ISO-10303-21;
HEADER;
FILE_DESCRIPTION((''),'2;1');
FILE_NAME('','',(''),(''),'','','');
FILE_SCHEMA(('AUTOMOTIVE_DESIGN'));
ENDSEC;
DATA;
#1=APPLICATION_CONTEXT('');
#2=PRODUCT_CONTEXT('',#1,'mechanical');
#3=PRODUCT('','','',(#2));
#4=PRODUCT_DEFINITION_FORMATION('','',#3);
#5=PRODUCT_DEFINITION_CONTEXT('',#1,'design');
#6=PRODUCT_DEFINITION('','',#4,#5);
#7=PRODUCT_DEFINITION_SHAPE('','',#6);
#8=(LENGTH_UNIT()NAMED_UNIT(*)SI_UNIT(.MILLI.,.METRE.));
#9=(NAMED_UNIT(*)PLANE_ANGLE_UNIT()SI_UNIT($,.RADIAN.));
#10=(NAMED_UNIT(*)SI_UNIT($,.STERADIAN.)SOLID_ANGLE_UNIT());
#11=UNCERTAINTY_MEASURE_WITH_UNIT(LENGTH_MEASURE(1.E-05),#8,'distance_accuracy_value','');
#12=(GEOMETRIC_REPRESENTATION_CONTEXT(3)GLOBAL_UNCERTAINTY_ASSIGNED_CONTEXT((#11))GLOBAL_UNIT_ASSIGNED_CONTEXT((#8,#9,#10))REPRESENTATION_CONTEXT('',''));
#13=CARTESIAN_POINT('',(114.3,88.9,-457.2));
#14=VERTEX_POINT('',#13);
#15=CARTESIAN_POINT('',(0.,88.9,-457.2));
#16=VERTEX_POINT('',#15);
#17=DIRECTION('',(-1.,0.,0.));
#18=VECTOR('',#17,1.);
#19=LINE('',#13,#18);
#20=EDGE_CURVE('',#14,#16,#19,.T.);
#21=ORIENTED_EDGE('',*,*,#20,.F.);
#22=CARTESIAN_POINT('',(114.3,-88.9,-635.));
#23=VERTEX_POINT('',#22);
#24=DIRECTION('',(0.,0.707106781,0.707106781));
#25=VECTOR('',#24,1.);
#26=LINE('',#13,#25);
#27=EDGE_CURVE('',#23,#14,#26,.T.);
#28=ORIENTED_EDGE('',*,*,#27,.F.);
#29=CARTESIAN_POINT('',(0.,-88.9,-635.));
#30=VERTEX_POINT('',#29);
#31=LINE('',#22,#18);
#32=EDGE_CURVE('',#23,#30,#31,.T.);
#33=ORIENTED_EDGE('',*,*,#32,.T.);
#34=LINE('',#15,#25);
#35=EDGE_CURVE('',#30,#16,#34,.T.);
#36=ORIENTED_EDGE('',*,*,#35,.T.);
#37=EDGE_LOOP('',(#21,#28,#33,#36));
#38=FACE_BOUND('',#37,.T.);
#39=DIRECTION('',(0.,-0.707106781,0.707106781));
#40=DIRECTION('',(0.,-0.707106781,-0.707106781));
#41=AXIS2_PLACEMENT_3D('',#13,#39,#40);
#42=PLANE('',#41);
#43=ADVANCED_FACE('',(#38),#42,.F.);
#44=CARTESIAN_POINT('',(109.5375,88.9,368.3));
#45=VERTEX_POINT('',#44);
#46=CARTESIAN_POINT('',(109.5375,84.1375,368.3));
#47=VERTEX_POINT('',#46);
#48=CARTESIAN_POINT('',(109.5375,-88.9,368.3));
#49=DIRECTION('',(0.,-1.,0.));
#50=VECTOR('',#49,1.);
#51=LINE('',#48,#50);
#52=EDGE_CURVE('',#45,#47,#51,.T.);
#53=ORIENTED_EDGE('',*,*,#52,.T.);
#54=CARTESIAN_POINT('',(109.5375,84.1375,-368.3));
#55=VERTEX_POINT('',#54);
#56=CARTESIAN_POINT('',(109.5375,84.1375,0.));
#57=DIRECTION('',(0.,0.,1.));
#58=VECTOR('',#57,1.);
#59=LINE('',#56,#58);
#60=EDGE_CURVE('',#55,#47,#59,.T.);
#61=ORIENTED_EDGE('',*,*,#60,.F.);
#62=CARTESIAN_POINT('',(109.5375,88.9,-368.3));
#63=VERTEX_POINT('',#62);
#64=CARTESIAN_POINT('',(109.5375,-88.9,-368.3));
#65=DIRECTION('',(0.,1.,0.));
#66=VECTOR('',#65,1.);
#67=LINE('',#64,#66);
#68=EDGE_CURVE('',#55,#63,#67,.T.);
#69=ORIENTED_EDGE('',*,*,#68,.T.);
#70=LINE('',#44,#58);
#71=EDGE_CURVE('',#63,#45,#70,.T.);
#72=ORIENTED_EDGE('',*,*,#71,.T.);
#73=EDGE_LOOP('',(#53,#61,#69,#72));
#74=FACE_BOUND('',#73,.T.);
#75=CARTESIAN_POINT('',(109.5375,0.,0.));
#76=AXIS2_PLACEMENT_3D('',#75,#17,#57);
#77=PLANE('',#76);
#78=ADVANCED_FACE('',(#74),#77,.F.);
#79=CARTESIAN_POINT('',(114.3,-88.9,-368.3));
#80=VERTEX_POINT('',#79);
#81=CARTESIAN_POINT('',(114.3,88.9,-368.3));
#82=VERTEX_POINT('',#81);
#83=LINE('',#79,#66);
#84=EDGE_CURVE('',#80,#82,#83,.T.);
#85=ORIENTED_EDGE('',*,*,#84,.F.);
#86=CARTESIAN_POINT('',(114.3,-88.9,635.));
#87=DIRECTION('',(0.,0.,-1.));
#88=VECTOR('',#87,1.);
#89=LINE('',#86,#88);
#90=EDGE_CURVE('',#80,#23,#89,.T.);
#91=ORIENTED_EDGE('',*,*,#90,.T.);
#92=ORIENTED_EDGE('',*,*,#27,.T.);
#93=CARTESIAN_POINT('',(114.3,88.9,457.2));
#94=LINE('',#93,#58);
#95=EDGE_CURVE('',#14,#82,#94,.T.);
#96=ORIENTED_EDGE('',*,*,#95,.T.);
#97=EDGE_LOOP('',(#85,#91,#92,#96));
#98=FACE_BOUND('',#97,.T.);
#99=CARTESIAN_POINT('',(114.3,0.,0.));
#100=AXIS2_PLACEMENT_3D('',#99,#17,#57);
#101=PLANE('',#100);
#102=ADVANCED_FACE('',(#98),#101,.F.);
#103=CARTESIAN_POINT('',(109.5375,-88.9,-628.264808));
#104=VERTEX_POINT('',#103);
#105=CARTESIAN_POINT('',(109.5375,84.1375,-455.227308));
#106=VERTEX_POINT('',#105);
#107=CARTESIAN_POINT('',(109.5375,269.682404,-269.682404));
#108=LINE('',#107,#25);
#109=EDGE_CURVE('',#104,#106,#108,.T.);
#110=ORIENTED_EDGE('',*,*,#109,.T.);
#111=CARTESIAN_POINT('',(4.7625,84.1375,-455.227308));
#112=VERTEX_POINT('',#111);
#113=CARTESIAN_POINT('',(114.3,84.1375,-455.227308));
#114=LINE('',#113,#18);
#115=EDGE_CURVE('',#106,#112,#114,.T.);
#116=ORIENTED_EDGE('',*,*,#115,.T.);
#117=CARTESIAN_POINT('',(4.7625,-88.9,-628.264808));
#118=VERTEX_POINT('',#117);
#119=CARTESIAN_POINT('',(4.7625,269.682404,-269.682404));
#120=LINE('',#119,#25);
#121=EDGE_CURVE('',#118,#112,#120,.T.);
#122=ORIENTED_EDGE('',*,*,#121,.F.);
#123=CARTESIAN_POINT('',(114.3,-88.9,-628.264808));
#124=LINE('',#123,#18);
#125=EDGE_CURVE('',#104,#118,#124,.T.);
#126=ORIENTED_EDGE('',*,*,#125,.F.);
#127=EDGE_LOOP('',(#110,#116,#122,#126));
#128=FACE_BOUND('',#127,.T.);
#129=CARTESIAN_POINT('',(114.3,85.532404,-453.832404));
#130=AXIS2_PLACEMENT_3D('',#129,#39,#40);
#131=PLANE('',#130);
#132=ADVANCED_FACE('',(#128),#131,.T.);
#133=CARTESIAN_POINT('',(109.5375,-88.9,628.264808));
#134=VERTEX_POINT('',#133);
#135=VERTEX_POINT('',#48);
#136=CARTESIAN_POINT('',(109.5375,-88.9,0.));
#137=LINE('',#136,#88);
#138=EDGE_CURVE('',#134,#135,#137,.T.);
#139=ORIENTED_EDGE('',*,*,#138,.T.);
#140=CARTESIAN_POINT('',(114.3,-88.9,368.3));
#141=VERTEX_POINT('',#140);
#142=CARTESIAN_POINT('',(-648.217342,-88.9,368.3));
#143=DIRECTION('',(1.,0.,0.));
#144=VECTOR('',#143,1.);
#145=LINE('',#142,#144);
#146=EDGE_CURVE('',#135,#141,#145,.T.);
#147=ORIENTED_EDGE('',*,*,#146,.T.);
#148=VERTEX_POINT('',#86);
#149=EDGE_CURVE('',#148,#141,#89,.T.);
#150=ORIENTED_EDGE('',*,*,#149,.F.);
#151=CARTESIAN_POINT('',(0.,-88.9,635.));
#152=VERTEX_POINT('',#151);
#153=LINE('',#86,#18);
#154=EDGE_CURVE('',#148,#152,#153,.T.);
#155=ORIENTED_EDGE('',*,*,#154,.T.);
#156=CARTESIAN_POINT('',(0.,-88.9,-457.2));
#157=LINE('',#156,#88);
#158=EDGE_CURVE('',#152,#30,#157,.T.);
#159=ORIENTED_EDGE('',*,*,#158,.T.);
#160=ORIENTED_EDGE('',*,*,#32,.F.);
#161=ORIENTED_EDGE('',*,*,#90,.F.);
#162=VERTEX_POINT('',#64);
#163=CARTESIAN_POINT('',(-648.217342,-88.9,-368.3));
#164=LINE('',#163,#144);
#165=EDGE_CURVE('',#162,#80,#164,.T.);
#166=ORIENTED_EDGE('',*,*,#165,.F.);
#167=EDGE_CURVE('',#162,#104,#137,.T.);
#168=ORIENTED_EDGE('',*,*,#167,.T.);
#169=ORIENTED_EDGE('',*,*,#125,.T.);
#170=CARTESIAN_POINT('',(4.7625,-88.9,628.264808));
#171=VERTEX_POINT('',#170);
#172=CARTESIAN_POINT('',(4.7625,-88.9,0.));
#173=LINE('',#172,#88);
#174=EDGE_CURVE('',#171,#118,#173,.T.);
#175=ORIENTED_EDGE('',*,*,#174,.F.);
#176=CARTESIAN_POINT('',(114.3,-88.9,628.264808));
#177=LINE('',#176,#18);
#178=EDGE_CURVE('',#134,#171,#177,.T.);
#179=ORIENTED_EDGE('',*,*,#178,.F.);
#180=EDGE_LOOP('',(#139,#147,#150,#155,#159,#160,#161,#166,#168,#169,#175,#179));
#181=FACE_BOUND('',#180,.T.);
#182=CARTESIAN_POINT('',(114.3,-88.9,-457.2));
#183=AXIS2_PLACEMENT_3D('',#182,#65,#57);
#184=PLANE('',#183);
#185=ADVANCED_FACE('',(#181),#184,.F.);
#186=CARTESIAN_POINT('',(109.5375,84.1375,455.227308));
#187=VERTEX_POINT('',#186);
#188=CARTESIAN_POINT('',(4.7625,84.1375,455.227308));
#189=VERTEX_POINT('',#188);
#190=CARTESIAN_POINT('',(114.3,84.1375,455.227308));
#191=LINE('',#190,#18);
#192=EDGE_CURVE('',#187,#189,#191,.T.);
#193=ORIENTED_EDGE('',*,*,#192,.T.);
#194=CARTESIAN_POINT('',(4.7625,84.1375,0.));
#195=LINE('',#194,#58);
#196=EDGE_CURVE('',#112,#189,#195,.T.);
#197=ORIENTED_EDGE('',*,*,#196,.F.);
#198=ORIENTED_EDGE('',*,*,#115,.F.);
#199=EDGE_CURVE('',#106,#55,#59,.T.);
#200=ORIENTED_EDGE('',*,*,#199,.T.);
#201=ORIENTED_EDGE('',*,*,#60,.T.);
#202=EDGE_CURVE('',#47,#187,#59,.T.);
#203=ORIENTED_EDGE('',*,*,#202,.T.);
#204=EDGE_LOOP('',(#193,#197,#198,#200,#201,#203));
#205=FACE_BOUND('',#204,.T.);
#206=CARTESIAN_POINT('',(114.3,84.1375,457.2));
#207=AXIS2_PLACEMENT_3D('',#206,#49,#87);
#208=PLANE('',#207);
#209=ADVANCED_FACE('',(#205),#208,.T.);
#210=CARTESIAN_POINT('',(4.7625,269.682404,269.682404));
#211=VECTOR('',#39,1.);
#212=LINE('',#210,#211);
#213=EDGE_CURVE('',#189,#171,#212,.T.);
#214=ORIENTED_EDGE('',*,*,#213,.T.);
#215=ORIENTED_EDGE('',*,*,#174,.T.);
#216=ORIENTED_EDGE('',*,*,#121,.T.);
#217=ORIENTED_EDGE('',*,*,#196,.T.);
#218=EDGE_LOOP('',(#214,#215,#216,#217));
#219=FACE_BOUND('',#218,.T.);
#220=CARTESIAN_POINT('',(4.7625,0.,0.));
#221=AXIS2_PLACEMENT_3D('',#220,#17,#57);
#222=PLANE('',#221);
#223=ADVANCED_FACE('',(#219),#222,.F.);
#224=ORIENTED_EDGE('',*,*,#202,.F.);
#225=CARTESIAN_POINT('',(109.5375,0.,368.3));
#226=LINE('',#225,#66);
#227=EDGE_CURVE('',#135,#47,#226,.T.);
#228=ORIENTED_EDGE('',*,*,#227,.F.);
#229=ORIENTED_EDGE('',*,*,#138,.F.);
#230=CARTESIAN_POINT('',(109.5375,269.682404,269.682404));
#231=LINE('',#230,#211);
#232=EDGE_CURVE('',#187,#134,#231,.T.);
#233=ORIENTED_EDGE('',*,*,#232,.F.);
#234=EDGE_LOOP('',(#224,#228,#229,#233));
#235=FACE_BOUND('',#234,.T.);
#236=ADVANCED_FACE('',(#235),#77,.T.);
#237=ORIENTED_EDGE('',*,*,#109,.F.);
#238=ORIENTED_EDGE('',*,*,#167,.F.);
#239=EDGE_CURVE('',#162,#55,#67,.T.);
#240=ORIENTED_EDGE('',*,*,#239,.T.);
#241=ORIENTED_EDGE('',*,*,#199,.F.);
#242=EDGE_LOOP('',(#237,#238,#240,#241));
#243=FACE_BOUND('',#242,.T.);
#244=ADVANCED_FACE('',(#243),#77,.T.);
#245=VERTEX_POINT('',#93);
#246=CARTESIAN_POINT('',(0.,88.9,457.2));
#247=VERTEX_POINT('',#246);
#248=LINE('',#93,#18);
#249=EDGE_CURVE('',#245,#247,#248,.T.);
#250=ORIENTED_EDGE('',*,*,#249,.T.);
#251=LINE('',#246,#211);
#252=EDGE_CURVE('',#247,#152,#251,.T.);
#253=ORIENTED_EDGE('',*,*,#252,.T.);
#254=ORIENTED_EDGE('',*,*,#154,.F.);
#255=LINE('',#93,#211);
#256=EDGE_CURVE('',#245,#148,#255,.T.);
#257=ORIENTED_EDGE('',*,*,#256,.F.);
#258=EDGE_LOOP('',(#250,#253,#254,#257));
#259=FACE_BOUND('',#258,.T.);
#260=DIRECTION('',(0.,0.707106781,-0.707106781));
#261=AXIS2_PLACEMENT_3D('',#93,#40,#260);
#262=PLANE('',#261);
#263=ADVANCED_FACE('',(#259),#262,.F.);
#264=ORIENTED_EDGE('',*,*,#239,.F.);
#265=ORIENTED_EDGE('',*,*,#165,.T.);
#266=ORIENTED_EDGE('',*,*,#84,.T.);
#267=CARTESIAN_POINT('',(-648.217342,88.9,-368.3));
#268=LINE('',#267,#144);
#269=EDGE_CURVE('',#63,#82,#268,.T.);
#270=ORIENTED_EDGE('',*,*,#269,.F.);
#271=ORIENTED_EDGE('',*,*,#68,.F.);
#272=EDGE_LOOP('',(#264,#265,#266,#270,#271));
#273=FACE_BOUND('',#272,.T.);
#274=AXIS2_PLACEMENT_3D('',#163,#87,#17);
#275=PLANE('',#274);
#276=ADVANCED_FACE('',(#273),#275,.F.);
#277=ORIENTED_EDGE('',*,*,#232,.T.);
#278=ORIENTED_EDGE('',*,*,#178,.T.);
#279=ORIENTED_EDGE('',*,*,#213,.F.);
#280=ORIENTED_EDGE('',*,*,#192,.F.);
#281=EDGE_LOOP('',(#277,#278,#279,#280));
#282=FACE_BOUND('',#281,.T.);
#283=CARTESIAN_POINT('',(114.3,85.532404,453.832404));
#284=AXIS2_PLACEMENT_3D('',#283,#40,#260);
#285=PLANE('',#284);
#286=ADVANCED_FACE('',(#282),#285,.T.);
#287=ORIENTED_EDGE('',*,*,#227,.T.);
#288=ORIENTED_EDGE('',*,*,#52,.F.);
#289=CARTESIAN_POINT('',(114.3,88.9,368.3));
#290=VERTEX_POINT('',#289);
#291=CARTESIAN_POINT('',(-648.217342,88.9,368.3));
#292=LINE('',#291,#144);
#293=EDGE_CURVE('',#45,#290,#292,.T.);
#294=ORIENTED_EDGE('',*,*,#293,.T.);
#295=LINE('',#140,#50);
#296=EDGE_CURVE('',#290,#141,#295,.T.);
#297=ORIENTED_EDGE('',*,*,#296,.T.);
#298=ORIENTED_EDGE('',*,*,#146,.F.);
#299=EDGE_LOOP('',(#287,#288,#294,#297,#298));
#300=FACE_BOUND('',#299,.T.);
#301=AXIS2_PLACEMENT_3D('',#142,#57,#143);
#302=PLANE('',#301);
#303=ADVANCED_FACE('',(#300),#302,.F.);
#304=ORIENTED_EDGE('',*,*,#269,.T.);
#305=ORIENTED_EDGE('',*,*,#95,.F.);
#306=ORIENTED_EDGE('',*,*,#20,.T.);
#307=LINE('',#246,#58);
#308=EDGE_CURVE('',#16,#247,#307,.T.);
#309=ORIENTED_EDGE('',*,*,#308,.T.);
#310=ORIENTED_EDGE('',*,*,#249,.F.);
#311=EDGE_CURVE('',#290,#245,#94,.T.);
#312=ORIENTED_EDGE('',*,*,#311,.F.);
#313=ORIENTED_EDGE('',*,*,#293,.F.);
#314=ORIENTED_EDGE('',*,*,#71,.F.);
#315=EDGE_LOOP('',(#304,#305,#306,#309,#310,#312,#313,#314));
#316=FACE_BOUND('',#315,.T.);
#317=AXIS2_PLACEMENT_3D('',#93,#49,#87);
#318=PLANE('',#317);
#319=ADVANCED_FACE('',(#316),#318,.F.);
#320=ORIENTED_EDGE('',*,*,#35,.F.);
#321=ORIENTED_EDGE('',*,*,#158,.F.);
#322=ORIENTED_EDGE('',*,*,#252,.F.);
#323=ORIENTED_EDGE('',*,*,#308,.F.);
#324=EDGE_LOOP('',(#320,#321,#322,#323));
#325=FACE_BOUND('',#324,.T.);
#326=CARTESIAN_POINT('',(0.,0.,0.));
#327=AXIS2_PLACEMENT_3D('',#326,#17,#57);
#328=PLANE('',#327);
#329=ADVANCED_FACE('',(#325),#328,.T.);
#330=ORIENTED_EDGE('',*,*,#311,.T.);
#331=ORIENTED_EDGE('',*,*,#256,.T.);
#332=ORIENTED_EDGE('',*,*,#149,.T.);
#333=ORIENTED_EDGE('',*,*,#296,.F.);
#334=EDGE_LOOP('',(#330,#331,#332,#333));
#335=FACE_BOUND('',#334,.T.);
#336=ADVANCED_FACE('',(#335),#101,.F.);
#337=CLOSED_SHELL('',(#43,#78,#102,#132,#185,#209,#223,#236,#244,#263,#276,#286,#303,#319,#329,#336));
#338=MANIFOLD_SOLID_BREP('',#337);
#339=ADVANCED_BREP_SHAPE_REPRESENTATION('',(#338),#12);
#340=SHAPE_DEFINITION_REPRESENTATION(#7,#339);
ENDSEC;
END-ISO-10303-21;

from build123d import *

# Parameters (mm, degrees)
BOSS_EXTRUDE1_DEPTH = 114.3
SHELL3_T            = -4.7625
SKETCH8_W           = 736.6
SKETCH8_H           = 177.8
CUT_EXTRUDE2_DEPTH  = 4.7625


with BuildPart() as part:
    # Sketch1 → Boss-Extrude1 (new body)
    with BuildSketch(Plane(origin=(0, 0, 0), x_dir=(0, 0, -1), z_dir=(1, 0, 0))):
        Polygon((-457.2, 88.9), (-635, -88.9), (-457.2, -88.9), (457.2, -88.9), (635, -88.9), (457.2, 88.9), align=None)
    extrude(amount=BOSS_EXTRUDE1_DEPTH)

    # Shell3
    shell3_openings = [part.faces().sort_by_distance(p)[0] for p in [
        (57.15, -88.9, 0),
    ]]
    offset(amount=SHELL3_T, openings=shell3_openings, kind=Kind.INTERSECTION)

    # Sketch8 → Cut-Extrude2 (cut)
    with BuildSketch(Plane(origin=(114.3, 0, 0), x_dir=(0, 0, -1), z_dir=(1, 0, 0))):
        Rectangle(SKETCH8_W, SKETCH8_H)
    extrude(amount=-CUT_EXTRUDE2_DEPTH, mode=Mode.SUBTRACT)


solid = part.part
